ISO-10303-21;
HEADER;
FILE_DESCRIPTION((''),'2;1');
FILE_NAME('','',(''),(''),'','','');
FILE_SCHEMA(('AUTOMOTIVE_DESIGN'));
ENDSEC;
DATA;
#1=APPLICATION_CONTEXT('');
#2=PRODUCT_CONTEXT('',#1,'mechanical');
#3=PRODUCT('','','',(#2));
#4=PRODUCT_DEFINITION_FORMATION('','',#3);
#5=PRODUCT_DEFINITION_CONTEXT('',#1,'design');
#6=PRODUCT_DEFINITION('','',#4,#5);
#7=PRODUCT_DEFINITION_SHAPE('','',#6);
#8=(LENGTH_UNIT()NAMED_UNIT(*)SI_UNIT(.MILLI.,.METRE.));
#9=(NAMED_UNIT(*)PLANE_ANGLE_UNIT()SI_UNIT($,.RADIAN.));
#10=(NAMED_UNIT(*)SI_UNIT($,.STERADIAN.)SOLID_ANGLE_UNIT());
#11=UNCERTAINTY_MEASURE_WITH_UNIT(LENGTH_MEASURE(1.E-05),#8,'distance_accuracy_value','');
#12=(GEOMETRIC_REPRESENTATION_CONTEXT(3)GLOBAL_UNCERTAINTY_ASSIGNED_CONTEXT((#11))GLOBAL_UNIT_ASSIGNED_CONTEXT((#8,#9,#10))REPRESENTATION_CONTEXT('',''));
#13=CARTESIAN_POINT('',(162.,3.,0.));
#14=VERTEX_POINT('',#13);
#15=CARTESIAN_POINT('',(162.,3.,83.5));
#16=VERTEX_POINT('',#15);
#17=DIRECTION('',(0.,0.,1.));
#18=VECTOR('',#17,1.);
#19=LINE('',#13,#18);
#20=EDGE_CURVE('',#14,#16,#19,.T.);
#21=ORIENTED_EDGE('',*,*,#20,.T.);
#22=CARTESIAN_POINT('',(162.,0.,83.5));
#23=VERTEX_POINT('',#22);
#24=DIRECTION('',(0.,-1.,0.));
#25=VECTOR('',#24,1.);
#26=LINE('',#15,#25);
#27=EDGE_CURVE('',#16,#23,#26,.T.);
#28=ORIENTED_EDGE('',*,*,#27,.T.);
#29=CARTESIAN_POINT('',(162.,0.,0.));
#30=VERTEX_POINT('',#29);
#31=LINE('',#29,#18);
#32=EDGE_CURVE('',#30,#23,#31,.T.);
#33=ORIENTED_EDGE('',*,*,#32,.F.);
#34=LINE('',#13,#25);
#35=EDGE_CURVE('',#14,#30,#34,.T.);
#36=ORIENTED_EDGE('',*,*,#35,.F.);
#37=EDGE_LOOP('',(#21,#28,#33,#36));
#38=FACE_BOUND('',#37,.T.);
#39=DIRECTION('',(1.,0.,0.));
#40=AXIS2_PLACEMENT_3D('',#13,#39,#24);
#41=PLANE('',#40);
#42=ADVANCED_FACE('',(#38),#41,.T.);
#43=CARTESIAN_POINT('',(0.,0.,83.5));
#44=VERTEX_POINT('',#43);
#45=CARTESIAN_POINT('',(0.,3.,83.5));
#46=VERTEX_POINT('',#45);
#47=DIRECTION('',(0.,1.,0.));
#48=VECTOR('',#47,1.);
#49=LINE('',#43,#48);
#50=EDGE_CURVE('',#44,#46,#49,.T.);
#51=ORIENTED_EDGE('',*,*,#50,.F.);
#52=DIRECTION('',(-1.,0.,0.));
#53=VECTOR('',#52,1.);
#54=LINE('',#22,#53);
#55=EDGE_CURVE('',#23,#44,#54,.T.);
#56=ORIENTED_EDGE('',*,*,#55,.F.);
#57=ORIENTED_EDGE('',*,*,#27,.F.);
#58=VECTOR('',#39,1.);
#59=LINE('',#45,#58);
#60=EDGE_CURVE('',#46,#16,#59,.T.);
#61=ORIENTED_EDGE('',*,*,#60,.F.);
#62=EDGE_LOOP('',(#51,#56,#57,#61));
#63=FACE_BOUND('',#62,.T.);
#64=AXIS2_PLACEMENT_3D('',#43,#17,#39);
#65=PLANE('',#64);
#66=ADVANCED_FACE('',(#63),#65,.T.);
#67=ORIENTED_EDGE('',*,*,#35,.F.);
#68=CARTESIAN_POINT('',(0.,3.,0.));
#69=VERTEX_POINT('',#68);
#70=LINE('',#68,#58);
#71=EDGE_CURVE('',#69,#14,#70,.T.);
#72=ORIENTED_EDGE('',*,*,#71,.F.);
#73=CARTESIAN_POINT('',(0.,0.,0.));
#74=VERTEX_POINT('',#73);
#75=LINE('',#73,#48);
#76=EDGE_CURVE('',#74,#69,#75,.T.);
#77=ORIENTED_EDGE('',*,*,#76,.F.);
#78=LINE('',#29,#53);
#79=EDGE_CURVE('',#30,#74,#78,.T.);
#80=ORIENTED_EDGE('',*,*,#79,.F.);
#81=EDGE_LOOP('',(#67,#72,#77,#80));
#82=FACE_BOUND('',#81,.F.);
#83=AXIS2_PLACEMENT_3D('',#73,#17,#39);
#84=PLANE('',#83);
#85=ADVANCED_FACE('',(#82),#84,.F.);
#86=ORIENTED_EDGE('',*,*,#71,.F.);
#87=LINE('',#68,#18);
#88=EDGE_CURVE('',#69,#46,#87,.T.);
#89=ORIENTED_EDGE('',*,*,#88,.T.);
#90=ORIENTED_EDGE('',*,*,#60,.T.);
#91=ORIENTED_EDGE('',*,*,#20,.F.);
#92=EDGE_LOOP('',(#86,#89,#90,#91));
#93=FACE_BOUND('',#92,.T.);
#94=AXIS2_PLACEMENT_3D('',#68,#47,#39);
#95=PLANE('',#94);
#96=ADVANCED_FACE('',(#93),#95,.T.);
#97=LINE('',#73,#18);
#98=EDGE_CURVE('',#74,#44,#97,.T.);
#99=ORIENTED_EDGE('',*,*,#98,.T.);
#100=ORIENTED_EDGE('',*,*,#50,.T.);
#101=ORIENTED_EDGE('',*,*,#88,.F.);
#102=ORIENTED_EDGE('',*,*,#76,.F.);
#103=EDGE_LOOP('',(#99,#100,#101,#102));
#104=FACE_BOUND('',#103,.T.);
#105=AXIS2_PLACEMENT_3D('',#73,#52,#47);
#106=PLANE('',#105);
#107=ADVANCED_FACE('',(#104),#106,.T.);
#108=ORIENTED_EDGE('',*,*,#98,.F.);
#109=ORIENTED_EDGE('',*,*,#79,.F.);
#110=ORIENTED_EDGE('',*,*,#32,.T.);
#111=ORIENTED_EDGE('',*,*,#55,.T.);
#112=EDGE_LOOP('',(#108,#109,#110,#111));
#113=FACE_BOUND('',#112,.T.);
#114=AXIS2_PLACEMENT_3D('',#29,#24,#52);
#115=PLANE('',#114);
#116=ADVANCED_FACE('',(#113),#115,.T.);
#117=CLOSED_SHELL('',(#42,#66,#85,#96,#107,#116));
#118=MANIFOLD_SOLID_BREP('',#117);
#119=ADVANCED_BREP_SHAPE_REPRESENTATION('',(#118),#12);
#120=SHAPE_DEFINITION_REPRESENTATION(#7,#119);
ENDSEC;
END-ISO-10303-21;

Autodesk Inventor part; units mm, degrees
ref_plane "YZ Plane" through (0, 0, 0) normal (1, 0, 0) x (0, 1, 0)
ref_plane "XZ Plane" through (0, 0, 0) normal (0, 1, 0) x (-1, 0, 0)
ref_plane "XY Plane" through (0, 0, 0) normal (0, 0, 1) x (1, 0, 0)
sketch "Sketch6" plane through (0, 0, 0) normal (0, 0, 1) x (1, 0, 0)
  point P0 (0, 0)
sketch "Sketch7" plane through (0, 0, 0) normal (0, 0, 1) x (1, 0, 0)
  line L0 (0, 0) -> (0, 3)
  line L1 (0, 0) -> (3, 0) construction
  line L2 (0, 3) -> (162, 3)
  line L3 (162, 3) -> (162, 0)
  line L4 (162, 0) -> (0, 0)
  dimension "d85" = 3
  dimension "d86" = 90
  dimension "d87" = 162
  dimension "d88" = 3
  dimension "d89" = 90
extrude "Extrusion3" add sketch "Sketch7" along normal blind 83.5
properties part number "Plywood Board" material "Plywood, Finish"
